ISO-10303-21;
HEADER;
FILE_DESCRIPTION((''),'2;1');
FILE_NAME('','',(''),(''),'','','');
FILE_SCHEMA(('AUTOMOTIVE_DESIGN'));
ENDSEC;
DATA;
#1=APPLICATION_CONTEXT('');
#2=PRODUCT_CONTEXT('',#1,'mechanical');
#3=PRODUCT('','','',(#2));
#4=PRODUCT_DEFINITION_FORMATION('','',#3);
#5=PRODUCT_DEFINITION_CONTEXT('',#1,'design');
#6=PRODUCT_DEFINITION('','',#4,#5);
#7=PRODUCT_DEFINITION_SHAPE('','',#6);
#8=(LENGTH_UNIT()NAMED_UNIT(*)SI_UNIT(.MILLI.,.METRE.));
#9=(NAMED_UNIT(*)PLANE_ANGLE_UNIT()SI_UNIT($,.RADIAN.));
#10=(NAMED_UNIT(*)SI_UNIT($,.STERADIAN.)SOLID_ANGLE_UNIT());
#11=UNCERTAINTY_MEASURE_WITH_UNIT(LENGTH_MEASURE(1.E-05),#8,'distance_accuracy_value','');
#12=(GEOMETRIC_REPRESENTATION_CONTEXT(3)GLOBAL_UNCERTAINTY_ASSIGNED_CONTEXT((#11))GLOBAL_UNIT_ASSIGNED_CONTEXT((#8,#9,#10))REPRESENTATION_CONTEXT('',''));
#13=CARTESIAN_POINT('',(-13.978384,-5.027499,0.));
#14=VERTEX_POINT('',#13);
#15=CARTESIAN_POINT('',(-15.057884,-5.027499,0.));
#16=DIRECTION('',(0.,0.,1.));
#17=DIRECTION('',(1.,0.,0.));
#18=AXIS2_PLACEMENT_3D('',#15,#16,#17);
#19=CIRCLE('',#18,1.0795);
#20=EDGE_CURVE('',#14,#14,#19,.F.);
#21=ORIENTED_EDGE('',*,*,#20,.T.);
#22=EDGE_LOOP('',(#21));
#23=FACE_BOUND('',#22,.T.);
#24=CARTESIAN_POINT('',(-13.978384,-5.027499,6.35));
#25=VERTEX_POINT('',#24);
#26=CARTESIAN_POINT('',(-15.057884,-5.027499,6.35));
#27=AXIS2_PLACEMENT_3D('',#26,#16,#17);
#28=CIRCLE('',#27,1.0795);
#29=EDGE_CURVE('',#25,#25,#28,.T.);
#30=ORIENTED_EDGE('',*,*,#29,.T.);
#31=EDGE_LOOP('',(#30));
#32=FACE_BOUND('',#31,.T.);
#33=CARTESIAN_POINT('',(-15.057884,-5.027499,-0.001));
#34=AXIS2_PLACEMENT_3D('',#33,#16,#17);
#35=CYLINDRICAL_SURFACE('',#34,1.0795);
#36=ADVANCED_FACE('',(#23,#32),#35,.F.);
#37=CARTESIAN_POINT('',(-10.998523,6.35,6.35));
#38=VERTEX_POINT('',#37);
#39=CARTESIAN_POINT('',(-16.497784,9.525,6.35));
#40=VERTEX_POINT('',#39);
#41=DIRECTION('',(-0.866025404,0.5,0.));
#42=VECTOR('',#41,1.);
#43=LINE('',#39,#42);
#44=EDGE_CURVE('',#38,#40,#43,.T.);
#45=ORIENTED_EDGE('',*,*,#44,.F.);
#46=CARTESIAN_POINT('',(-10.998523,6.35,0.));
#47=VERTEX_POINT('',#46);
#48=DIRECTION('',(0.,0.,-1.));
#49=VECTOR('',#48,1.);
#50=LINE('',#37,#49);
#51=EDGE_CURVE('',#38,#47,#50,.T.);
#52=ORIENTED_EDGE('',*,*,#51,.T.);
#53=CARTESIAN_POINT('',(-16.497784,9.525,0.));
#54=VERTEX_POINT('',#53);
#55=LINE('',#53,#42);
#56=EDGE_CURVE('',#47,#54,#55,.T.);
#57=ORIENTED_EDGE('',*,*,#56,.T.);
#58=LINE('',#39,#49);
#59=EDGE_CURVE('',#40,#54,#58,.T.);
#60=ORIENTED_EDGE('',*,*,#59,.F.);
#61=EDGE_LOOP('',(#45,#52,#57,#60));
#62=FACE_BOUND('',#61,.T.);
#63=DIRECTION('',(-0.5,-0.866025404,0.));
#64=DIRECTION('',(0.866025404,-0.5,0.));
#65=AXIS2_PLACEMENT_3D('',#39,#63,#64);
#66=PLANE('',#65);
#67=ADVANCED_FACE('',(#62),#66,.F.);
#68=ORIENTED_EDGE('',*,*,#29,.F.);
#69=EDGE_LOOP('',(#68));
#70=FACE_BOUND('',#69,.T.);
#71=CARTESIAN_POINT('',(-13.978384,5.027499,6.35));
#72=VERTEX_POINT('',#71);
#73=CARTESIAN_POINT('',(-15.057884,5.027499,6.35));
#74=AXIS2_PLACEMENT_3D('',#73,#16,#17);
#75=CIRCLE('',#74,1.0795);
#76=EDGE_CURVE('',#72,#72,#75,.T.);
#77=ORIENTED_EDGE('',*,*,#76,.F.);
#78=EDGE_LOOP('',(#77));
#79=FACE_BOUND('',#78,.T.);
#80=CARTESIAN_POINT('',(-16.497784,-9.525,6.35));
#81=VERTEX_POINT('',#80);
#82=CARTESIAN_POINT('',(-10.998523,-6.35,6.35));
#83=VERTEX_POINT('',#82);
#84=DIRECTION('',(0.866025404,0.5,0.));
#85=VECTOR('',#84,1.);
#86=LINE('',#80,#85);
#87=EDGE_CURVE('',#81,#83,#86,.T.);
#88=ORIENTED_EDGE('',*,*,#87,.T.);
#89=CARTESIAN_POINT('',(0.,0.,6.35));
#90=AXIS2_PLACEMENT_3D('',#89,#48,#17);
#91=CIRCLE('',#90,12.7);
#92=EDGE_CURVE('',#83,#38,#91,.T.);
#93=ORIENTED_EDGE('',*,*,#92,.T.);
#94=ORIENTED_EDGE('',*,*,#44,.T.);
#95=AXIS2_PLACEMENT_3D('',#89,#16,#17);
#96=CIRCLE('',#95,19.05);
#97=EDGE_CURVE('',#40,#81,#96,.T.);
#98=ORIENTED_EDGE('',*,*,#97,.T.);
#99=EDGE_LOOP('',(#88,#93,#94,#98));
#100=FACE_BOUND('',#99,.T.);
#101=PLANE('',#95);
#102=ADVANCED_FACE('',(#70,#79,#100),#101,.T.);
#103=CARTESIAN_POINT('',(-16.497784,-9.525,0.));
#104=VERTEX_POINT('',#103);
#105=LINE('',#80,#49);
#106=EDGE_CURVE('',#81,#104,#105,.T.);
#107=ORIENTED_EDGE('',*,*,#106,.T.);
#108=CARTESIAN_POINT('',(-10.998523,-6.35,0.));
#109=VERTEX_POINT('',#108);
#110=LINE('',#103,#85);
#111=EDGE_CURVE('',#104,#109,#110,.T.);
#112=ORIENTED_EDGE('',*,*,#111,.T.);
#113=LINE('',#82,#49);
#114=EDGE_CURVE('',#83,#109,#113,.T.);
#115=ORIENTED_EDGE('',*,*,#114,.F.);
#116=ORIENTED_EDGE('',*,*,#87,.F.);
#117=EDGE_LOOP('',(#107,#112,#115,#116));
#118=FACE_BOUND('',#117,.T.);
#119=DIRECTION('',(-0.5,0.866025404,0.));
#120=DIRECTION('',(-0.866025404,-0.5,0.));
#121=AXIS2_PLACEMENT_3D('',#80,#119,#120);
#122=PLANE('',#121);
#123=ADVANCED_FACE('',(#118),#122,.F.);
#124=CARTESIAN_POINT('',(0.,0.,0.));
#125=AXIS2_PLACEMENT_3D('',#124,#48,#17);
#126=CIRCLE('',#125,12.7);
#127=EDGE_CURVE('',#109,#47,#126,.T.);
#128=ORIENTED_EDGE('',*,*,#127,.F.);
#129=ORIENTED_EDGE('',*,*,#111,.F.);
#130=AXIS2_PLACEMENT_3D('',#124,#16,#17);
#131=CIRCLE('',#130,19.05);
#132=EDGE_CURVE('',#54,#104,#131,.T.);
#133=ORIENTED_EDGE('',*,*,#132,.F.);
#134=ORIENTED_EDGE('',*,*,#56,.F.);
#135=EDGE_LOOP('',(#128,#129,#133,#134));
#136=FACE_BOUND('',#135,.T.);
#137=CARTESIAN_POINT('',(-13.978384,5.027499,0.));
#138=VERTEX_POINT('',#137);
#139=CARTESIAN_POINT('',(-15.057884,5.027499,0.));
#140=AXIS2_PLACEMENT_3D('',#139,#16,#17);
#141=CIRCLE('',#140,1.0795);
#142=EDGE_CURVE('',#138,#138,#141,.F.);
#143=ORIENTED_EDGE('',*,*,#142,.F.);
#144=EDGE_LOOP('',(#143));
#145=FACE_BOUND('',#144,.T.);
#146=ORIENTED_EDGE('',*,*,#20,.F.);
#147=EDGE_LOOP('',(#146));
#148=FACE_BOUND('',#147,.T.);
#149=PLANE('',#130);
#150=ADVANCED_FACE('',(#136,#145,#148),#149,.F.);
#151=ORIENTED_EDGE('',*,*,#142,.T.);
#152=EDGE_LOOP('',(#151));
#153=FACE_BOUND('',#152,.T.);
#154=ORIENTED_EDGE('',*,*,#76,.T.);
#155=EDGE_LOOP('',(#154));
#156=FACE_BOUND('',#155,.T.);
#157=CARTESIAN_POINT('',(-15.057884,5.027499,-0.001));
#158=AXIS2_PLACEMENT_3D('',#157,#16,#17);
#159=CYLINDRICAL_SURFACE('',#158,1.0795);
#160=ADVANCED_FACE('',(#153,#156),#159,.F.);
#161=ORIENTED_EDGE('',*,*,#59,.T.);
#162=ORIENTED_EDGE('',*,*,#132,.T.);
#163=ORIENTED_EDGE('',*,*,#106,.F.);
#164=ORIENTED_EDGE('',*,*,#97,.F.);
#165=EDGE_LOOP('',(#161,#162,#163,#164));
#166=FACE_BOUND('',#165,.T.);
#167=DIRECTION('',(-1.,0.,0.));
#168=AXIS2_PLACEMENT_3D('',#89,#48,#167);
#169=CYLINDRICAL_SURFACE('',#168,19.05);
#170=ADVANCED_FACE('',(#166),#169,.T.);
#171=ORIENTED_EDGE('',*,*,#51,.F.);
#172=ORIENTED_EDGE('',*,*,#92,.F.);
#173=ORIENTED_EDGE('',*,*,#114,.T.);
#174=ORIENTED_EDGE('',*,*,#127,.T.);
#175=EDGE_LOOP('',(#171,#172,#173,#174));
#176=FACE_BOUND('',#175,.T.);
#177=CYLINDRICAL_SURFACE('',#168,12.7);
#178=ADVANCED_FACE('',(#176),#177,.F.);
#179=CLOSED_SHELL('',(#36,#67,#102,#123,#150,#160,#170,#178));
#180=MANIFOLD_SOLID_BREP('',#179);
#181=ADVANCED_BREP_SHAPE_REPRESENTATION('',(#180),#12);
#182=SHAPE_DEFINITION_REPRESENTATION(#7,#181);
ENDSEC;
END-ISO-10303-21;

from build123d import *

# Parameters (mm, degrees)
BOSS_EXTRUDE1_DEPTH = 6.35
CUT_EXTRUDE1_REACH  = 8.35
SKETCH2_R           = 1.0795


with BuildPart() as part:
    # Sketch1 → Boss-Extrude1 (new body)
    with BuildSketch(Plane(origin=(0, 0, 0), x_dir=(0, 1, 0), z_dir=(0, 0, 1))):
        with BuildLine():
            Line((-9.525, 16.497783942), (-6.35, 10.998522628))
            ThreePointArc((-6.35, 10.998522628), (0, 12.7), (6.35, 10.998522628))
            Line((6.35, 10.998522628), (9.525, 16.497783942))
            ThreePointArc((9.525, 16.497783942), (0, 19.05), (-9.525, 16.497783942))
        make_face()
    extrude(amount=BOSS_EXTRUDE1_DEPTH)

    # Sketch2 → Cut-Extrude1 (cut, up to next)
    with BuildSketch(Plane.XY.offset(6.35), mode=Mode.PRIVATE) as cut_extrude1_sk1:
        with Locations((-15.057884182, 5.027499276)):
            Circle(SKETCH2_R)
    cut_extrude1_tool1 = extrude(cut_extrude1_sk1.sketch, amount=-CUT_EXTRUDE1_REACH, mode=Mode.PRIVATE) & part.part
    add(cut_extrude1_tool1.solids().sort_by_distance((-15.057884, 5.027499, 6.35))[0], mode=Mode.SUBTRACT)
    # Sketch2 → Cut-Extrude1 (cut, up to next)
    with BuildSketch(Plane.XY.offset(6.35), mode=Mode.PRIVATE) as cut_extrude1_sk2:
        with Locations((-15.057884182, -5.027499276)):
            Circle(SKETCH2_R)
    cut_extrude1_tool2 = extrude(cut_extrude1_sk2.sketch, amount=-CUT_EXTRUDE1_REACH, mode=Mode.PRIVATE) & part.part
    add(cut_extrude1_tool2.solids().sort_by_distance((-15.057884, -5.027499, 6.35))[0], mode=Mode.SUBTRACT)


solid = part.part
